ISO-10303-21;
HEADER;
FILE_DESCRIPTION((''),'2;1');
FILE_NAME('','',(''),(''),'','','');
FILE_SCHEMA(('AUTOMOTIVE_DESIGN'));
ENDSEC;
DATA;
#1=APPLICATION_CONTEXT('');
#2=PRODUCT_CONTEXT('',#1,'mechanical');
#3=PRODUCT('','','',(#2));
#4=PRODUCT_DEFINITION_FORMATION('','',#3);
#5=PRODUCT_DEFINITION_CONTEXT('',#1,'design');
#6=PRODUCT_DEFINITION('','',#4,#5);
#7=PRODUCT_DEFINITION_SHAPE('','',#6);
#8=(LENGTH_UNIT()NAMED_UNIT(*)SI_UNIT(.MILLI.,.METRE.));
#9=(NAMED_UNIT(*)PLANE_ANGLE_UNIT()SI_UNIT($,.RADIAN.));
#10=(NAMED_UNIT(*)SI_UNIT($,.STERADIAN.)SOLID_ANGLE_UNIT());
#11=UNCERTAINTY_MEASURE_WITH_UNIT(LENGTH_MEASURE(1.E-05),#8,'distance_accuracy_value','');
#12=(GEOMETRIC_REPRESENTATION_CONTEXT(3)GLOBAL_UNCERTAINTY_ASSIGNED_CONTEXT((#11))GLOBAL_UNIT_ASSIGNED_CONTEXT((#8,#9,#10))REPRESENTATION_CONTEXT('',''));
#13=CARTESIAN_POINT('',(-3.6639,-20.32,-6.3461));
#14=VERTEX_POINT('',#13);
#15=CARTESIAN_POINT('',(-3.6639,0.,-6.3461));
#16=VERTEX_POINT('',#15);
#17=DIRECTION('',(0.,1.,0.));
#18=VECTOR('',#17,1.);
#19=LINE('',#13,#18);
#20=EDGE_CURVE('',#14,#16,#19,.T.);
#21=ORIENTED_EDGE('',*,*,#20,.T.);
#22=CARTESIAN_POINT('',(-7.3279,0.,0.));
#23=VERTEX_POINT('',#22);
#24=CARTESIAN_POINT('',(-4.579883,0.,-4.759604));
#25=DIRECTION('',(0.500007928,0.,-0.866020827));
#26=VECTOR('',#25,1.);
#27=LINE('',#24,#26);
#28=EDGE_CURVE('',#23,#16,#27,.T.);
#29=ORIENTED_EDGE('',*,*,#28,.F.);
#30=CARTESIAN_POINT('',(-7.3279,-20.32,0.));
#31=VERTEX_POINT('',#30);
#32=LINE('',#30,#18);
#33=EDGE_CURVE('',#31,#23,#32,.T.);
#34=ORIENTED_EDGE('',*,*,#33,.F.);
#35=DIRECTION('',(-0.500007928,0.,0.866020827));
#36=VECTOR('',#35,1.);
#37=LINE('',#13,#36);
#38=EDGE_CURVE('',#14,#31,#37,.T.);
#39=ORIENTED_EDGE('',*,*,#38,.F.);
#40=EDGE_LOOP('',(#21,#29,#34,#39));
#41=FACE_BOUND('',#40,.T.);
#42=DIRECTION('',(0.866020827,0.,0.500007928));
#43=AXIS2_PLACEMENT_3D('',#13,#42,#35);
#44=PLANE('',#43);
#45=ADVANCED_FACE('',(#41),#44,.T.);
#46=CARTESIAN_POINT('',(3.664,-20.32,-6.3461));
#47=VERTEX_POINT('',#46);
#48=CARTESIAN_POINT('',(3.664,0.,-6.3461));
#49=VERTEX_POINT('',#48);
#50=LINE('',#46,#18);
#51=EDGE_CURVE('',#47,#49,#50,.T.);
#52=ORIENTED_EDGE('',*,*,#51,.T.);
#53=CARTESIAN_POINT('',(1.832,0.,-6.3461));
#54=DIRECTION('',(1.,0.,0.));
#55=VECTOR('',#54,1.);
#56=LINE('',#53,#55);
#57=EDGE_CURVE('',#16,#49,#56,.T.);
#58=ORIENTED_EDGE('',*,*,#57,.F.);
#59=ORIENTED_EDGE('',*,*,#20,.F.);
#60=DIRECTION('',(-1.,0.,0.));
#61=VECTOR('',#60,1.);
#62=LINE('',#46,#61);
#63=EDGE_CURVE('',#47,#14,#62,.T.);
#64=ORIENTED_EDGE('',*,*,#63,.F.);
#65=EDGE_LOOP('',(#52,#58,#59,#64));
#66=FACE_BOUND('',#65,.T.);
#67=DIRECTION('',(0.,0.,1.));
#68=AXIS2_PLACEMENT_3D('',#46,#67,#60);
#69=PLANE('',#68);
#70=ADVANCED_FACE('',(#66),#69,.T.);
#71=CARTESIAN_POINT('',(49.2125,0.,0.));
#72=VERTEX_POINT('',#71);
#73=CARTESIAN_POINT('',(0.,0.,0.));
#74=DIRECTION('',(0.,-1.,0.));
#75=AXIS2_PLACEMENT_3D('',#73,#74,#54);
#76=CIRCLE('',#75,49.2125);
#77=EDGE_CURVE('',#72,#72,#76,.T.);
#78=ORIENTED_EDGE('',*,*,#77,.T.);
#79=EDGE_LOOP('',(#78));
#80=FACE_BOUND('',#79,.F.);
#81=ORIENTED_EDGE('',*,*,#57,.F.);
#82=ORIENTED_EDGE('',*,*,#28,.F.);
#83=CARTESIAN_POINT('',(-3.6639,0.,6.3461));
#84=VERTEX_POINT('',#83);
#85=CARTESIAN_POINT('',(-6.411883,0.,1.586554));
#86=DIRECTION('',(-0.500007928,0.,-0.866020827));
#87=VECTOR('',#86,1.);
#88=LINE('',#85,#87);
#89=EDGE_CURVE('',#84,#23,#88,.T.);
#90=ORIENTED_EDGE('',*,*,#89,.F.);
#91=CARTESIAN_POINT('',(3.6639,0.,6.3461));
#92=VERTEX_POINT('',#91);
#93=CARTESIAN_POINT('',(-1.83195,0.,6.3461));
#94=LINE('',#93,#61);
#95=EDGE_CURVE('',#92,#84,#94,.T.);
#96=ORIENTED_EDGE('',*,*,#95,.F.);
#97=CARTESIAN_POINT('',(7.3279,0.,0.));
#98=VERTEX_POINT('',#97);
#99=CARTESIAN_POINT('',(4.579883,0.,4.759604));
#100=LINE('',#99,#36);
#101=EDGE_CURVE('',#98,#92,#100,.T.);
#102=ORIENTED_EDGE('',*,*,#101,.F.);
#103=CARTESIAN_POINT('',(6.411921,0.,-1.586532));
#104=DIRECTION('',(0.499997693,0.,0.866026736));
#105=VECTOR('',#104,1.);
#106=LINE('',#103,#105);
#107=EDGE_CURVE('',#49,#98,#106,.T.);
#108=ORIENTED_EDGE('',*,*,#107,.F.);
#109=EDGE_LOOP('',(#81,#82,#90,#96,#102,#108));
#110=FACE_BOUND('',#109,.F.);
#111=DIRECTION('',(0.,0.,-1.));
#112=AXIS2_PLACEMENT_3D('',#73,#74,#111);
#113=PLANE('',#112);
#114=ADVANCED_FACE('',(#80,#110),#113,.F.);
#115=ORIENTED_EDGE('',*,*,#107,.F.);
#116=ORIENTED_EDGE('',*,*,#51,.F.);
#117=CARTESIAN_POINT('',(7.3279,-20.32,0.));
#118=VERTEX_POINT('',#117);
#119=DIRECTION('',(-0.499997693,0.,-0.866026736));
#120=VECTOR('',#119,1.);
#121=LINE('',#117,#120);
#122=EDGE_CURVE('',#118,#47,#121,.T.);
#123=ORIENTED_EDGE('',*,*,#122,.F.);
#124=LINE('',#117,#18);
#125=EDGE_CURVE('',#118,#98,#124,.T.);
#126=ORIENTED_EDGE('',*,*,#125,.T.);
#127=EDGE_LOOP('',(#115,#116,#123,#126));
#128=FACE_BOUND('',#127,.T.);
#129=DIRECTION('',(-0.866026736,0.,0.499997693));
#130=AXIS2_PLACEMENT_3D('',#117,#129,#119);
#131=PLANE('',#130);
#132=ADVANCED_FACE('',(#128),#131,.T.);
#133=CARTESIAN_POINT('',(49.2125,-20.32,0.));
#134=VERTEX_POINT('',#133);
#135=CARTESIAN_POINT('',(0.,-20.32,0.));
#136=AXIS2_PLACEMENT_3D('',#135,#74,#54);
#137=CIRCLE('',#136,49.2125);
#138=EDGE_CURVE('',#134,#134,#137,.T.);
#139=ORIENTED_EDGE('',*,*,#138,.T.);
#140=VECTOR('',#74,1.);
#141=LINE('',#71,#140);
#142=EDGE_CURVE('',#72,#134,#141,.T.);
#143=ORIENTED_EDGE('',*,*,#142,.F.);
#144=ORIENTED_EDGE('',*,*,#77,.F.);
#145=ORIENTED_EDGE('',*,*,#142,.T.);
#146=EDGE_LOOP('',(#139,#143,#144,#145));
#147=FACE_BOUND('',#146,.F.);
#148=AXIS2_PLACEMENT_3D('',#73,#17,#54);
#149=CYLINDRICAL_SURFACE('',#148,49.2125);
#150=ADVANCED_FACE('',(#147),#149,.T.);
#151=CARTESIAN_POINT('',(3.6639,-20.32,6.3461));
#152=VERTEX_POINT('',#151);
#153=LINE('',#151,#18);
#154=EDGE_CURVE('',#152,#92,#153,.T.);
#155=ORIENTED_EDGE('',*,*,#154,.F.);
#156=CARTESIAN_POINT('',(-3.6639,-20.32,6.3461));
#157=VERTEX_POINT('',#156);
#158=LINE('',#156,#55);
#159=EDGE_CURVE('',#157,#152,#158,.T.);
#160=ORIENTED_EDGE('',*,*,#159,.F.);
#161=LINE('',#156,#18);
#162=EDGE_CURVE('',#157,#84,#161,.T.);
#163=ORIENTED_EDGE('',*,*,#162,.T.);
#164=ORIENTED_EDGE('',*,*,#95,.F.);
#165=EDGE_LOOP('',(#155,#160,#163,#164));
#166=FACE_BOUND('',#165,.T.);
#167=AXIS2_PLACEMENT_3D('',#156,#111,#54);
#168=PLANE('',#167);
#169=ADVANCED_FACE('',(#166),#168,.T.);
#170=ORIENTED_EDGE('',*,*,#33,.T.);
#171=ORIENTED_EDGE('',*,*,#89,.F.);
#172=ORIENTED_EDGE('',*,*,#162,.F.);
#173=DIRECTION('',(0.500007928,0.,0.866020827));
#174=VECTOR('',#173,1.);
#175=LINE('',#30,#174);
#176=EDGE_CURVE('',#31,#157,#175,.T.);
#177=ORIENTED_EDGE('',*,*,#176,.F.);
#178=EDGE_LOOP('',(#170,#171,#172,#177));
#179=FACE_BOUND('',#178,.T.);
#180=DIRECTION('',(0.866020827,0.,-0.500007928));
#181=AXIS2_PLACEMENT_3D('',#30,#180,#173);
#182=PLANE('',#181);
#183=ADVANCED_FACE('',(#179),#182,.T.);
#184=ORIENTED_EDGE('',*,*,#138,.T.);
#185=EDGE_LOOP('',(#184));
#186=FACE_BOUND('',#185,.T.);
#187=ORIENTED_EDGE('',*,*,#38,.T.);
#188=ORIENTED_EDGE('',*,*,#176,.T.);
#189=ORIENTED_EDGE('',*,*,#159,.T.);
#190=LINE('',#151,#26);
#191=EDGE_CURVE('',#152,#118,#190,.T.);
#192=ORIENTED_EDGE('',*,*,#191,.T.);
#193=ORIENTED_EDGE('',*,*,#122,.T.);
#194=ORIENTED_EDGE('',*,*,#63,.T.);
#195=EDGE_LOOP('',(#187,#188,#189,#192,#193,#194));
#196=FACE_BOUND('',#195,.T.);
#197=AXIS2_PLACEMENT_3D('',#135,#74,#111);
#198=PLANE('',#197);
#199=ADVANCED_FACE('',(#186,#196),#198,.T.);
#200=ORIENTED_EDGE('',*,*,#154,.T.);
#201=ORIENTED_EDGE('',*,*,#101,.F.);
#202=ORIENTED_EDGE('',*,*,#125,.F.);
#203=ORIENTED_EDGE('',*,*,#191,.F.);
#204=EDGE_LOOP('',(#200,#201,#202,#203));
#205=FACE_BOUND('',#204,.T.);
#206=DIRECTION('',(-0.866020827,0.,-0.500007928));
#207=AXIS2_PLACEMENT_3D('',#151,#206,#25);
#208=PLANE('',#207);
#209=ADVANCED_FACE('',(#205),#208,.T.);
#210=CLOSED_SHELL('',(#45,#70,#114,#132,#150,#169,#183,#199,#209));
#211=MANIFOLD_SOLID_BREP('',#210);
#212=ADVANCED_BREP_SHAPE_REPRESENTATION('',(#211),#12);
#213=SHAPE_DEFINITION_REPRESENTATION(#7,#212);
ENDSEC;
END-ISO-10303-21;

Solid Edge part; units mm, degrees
sketch "Sketch1" plane through (0, 0, 0) normal (0, -1, 0) x (1, 0, 0)
  circle A0 centre (0, 0) radius 49.2125
extrude "Protrusion1" add sketch "Sketch1" along normal blind 20.32
sketch "Sketch2" plane through (0, -20.32, 0) normal (0, -1, 0) x (1, 0, 0)
  line L0 (-3.6639, 6.3461) -> (3.6639, 6.3461)
  line L1 (3.6639, 6.3461) -> (7.3279, 0)
  line L2 (7.3279, 0) -> (3.664, -6.3461)
  line L3 (3.664, -6.3461) -> (-3.6639, -6.3461)
  line L4 (-3.6639, -6.3461) -> (-7.3279, 0)
  line L5 (-7.3279, 0) -> (-3.6639, 6.3461)
  dimension "D1" = 14.6558
extrude "Cutout1" cut sketch "Sketch2" against normal up to next
